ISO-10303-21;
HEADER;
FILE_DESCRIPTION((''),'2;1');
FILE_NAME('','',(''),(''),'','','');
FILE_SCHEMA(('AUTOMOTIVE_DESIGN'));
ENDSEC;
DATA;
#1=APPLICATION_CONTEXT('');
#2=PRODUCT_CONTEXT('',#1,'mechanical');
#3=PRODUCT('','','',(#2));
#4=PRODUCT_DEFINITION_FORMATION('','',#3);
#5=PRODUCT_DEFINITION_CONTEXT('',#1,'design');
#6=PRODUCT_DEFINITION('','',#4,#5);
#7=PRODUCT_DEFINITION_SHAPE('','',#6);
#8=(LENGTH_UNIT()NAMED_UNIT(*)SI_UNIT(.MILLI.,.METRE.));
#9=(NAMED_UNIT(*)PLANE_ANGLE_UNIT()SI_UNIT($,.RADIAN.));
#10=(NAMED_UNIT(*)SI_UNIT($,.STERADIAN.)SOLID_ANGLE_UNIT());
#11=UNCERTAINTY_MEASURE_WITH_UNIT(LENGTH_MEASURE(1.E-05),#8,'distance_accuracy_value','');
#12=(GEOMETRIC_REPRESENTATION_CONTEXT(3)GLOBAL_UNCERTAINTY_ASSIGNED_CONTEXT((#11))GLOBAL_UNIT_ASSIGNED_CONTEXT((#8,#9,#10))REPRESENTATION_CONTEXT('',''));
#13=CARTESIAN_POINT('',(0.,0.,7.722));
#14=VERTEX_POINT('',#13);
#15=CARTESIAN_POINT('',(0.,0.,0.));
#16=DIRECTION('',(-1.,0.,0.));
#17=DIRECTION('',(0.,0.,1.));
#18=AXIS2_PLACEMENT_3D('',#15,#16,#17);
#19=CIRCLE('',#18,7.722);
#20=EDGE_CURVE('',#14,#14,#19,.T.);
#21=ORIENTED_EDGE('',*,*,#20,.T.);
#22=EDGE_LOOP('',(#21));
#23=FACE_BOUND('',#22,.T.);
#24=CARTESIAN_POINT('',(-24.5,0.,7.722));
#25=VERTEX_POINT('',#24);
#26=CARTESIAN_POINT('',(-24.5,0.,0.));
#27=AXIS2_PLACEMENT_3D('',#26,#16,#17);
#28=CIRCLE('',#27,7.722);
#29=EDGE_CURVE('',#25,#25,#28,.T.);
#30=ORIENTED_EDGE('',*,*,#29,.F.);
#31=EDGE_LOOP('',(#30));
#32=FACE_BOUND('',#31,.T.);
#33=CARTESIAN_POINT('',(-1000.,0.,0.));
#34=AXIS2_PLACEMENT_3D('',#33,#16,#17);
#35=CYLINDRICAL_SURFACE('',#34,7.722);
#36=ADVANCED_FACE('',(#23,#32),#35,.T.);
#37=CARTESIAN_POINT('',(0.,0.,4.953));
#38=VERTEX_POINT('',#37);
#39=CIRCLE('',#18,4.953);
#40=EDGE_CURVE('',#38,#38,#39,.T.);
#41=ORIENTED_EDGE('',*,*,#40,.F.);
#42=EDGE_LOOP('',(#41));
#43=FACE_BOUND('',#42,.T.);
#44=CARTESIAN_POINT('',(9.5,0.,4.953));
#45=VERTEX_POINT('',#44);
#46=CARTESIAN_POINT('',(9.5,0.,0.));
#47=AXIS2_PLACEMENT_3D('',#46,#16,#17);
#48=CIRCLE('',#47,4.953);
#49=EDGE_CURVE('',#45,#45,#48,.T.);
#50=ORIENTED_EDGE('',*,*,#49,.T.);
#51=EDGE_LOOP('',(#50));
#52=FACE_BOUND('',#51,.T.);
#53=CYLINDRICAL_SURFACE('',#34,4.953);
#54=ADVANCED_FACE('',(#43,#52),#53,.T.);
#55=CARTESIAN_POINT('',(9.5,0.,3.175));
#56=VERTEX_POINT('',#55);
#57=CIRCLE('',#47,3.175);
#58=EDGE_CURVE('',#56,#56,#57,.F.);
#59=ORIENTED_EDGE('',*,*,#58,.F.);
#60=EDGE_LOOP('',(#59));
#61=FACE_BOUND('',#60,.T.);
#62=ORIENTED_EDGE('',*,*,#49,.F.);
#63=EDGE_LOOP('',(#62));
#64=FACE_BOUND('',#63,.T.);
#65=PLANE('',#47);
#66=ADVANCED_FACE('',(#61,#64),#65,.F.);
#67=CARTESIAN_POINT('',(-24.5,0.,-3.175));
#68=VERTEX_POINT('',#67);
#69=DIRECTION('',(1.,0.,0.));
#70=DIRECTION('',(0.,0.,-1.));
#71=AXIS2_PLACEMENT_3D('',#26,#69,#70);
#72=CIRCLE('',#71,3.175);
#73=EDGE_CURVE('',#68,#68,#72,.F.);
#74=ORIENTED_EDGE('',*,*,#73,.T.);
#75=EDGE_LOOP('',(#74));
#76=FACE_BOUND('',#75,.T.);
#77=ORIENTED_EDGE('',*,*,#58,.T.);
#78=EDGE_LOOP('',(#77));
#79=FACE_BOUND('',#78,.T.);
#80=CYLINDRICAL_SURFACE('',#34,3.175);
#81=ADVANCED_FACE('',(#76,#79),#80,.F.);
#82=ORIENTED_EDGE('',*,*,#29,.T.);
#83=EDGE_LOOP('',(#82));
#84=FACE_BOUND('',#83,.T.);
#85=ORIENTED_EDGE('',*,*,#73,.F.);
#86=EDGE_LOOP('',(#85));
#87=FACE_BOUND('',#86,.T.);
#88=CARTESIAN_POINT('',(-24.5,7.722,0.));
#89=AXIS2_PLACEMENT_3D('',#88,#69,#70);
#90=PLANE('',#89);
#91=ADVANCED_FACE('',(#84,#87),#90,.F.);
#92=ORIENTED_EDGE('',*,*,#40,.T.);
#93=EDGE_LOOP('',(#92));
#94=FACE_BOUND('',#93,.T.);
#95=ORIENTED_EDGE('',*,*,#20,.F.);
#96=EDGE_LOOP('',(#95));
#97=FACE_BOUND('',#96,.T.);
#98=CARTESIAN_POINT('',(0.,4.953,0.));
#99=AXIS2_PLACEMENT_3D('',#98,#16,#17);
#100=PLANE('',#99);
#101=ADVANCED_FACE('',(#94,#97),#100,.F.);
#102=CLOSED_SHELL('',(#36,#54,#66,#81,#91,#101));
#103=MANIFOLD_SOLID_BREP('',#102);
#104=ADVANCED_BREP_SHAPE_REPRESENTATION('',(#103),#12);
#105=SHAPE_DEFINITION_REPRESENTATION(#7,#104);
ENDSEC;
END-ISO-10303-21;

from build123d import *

# Parameters (mm, degrees)
SOCKET_SKETCH_W = 36
SOCKET_SKETCH_H = 3.175


with BuildPart() as part:
    # Conn_T4_ORB4_Bored Sketch → Conn_T4_ORB4_Bored (revolve)
    with BuildSketch(Plane.XY):
        Polygon((9.5, 0), (9.5, 4.953), (0, 4.953), (0, 7.722), (-24.5, 7.722), (-24.5, 0), align=None)
    revolve(axis=Axis((-1000, 0, 0), (1, 0, 0)))

    # Socket Sketch → Socket (revolve, cut)
    with BuildSketch(Plane.XY):
        with Locations((-7.5, 1.5875)):
            Rectangle(SOCKET_SKETCH_W, SOCKET_SKETCH_H)
    revolve(axis=Axis((-1000, 0, 0), (1, 0, 0)), mode=Mode.SUBTRACT)


solid = part.part
